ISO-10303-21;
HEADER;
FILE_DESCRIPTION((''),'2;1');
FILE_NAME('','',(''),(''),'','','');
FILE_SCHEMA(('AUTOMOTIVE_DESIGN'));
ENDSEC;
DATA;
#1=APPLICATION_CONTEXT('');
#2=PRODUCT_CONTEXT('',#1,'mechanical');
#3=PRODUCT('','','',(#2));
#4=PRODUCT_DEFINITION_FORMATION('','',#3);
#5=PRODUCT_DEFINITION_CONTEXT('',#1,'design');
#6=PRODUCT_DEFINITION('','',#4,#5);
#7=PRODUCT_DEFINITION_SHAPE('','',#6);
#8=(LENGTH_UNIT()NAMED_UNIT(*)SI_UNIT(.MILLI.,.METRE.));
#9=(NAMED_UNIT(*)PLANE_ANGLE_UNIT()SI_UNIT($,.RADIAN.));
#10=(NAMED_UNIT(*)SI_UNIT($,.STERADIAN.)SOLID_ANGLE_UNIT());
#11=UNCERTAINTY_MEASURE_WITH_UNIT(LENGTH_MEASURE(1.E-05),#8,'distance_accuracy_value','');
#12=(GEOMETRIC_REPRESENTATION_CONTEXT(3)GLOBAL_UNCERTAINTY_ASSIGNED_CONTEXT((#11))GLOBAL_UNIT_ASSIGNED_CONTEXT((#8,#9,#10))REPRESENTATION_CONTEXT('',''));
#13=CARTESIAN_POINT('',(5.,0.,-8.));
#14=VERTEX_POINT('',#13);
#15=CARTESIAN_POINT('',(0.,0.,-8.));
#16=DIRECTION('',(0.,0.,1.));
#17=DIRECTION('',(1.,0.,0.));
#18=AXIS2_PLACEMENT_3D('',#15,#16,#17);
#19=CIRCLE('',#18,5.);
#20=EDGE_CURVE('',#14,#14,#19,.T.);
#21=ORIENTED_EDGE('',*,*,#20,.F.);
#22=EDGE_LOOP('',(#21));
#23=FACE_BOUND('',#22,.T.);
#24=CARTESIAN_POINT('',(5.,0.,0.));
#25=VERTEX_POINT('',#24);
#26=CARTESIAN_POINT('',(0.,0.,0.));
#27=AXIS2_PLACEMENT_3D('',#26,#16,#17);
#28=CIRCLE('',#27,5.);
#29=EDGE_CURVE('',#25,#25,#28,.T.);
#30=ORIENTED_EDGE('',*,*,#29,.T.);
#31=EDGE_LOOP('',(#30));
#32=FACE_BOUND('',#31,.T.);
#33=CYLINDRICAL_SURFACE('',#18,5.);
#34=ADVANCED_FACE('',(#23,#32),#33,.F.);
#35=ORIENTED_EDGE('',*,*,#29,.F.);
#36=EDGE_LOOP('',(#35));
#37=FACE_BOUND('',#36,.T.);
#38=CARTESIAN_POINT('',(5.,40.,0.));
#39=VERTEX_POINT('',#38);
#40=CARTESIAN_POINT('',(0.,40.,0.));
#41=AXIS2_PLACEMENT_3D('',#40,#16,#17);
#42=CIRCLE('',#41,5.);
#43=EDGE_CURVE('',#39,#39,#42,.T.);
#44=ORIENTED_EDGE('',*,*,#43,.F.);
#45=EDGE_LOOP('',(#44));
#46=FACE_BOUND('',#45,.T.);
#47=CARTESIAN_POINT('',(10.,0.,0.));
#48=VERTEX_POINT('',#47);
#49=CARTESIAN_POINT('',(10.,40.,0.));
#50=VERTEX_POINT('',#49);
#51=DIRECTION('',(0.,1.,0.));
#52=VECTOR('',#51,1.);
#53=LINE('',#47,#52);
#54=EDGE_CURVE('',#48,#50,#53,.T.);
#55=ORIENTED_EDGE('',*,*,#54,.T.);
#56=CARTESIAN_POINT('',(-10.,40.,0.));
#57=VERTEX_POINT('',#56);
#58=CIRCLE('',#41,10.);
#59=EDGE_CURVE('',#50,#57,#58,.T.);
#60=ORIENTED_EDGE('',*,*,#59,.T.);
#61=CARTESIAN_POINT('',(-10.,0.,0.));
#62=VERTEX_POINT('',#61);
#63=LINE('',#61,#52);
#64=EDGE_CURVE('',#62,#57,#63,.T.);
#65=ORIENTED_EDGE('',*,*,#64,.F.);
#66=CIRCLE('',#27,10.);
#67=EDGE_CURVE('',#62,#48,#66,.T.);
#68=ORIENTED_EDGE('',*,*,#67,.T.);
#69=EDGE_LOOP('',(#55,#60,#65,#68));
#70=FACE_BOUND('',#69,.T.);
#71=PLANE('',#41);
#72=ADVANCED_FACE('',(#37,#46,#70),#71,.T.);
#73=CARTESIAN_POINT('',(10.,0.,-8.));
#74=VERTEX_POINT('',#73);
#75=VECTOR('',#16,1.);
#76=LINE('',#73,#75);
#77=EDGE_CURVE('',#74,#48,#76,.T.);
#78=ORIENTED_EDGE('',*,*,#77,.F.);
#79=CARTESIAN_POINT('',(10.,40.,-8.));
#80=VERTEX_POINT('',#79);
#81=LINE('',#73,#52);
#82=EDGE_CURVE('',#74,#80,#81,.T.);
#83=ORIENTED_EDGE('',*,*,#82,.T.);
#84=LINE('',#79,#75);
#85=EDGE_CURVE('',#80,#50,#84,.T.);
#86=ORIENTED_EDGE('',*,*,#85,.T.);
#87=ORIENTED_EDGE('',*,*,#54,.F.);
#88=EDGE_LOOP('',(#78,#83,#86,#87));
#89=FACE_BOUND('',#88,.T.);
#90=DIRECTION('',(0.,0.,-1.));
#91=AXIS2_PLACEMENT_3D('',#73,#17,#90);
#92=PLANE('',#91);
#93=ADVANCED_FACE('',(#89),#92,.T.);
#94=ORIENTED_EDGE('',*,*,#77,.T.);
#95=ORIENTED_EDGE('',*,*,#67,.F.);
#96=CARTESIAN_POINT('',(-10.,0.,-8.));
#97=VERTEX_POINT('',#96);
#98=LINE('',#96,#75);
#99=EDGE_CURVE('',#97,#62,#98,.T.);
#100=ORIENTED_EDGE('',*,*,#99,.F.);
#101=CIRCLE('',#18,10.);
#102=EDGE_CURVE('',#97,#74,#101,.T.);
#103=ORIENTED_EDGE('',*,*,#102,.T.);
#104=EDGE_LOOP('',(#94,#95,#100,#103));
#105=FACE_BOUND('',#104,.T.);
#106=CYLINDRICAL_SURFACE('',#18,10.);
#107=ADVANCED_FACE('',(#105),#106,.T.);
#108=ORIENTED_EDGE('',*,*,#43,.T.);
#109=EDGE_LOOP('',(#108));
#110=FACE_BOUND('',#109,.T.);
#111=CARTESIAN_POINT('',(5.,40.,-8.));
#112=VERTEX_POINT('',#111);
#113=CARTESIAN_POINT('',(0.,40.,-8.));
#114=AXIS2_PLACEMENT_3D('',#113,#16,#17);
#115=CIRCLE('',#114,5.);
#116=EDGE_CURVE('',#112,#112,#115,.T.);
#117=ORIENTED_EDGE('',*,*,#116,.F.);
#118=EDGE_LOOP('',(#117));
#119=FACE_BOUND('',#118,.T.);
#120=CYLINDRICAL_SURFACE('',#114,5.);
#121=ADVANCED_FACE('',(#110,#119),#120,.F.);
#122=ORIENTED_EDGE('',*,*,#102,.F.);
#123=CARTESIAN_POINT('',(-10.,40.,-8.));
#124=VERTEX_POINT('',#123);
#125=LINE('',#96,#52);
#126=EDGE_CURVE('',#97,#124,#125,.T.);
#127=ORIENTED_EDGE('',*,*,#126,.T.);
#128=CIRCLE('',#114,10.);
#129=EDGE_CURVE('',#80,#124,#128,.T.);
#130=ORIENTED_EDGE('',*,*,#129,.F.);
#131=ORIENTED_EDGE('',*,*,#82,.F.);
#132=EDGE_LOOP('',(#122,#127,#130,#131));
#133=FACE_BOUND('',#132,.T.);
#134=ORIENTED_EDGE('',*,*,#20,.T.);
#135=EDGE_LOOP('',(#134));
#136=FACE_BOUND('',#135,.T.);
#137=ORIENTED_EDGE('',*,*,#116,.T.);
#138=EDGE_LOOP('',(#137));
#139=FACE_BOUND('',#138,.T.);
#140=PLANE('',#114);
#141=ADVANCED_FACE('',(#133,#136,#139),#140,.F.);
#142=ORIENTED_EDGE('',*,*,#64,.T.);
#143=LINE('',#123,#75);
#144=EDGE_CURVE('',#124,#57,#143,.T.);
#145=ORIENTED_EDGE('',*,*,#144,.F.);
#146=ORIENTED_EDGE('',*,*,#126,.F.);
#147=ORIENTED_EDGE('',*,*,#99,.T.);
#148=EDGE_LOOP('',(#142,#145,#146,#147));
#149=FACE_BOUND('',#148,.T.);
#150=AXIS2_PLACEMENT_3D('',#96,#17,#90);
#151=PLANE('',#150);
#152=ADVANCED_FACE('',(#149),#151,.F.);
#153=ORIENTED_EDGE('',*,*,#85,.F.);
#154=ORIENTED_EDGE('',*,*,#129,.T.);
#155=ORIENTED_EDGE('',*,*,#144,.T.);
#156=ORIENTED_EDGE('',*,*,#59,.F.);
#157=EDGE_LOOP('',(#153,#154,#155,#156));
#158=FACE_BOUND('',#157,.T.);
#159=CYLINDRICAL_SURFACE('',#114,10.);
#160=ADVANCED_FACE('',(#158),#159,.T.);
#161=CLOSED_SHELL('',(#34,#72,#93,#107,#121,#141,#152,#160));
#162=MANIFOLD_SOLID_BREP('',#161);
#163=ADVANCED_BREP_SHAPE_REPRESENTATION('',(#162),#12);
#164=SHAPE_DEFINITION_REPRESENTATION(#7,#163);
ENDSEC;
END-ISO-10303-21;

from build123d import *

# Parameters (mm, degrees)
SKETCH1_R           = 5
BOSS_EXTRUDE1_DEPTH = 8


with BuildPart() as part:
    # Sketch1 → Boss-Extrude1 (new body)
    with BuildSketch(Plane.XY):
        with BuildLine():
            Line((10, 0), (10, 40))
            ThreePointArc((10, 40), (0, 50), (-10, 40))
            Line((-10, 40), (-10, 0))
            ThreePointArc((-10, 0), (0, -10), (10, 0))
        make_face()
        with Locations((0, 40)):
            Circle(SKETCH1_R, mode=Mode.SUBTRACT)
        Circle(SKETCH1_R, mode=Mode.SUBTRACT)
    extrude(amount=-BOSS_EXTRUDE1_DEPTH)


solid = part.part
